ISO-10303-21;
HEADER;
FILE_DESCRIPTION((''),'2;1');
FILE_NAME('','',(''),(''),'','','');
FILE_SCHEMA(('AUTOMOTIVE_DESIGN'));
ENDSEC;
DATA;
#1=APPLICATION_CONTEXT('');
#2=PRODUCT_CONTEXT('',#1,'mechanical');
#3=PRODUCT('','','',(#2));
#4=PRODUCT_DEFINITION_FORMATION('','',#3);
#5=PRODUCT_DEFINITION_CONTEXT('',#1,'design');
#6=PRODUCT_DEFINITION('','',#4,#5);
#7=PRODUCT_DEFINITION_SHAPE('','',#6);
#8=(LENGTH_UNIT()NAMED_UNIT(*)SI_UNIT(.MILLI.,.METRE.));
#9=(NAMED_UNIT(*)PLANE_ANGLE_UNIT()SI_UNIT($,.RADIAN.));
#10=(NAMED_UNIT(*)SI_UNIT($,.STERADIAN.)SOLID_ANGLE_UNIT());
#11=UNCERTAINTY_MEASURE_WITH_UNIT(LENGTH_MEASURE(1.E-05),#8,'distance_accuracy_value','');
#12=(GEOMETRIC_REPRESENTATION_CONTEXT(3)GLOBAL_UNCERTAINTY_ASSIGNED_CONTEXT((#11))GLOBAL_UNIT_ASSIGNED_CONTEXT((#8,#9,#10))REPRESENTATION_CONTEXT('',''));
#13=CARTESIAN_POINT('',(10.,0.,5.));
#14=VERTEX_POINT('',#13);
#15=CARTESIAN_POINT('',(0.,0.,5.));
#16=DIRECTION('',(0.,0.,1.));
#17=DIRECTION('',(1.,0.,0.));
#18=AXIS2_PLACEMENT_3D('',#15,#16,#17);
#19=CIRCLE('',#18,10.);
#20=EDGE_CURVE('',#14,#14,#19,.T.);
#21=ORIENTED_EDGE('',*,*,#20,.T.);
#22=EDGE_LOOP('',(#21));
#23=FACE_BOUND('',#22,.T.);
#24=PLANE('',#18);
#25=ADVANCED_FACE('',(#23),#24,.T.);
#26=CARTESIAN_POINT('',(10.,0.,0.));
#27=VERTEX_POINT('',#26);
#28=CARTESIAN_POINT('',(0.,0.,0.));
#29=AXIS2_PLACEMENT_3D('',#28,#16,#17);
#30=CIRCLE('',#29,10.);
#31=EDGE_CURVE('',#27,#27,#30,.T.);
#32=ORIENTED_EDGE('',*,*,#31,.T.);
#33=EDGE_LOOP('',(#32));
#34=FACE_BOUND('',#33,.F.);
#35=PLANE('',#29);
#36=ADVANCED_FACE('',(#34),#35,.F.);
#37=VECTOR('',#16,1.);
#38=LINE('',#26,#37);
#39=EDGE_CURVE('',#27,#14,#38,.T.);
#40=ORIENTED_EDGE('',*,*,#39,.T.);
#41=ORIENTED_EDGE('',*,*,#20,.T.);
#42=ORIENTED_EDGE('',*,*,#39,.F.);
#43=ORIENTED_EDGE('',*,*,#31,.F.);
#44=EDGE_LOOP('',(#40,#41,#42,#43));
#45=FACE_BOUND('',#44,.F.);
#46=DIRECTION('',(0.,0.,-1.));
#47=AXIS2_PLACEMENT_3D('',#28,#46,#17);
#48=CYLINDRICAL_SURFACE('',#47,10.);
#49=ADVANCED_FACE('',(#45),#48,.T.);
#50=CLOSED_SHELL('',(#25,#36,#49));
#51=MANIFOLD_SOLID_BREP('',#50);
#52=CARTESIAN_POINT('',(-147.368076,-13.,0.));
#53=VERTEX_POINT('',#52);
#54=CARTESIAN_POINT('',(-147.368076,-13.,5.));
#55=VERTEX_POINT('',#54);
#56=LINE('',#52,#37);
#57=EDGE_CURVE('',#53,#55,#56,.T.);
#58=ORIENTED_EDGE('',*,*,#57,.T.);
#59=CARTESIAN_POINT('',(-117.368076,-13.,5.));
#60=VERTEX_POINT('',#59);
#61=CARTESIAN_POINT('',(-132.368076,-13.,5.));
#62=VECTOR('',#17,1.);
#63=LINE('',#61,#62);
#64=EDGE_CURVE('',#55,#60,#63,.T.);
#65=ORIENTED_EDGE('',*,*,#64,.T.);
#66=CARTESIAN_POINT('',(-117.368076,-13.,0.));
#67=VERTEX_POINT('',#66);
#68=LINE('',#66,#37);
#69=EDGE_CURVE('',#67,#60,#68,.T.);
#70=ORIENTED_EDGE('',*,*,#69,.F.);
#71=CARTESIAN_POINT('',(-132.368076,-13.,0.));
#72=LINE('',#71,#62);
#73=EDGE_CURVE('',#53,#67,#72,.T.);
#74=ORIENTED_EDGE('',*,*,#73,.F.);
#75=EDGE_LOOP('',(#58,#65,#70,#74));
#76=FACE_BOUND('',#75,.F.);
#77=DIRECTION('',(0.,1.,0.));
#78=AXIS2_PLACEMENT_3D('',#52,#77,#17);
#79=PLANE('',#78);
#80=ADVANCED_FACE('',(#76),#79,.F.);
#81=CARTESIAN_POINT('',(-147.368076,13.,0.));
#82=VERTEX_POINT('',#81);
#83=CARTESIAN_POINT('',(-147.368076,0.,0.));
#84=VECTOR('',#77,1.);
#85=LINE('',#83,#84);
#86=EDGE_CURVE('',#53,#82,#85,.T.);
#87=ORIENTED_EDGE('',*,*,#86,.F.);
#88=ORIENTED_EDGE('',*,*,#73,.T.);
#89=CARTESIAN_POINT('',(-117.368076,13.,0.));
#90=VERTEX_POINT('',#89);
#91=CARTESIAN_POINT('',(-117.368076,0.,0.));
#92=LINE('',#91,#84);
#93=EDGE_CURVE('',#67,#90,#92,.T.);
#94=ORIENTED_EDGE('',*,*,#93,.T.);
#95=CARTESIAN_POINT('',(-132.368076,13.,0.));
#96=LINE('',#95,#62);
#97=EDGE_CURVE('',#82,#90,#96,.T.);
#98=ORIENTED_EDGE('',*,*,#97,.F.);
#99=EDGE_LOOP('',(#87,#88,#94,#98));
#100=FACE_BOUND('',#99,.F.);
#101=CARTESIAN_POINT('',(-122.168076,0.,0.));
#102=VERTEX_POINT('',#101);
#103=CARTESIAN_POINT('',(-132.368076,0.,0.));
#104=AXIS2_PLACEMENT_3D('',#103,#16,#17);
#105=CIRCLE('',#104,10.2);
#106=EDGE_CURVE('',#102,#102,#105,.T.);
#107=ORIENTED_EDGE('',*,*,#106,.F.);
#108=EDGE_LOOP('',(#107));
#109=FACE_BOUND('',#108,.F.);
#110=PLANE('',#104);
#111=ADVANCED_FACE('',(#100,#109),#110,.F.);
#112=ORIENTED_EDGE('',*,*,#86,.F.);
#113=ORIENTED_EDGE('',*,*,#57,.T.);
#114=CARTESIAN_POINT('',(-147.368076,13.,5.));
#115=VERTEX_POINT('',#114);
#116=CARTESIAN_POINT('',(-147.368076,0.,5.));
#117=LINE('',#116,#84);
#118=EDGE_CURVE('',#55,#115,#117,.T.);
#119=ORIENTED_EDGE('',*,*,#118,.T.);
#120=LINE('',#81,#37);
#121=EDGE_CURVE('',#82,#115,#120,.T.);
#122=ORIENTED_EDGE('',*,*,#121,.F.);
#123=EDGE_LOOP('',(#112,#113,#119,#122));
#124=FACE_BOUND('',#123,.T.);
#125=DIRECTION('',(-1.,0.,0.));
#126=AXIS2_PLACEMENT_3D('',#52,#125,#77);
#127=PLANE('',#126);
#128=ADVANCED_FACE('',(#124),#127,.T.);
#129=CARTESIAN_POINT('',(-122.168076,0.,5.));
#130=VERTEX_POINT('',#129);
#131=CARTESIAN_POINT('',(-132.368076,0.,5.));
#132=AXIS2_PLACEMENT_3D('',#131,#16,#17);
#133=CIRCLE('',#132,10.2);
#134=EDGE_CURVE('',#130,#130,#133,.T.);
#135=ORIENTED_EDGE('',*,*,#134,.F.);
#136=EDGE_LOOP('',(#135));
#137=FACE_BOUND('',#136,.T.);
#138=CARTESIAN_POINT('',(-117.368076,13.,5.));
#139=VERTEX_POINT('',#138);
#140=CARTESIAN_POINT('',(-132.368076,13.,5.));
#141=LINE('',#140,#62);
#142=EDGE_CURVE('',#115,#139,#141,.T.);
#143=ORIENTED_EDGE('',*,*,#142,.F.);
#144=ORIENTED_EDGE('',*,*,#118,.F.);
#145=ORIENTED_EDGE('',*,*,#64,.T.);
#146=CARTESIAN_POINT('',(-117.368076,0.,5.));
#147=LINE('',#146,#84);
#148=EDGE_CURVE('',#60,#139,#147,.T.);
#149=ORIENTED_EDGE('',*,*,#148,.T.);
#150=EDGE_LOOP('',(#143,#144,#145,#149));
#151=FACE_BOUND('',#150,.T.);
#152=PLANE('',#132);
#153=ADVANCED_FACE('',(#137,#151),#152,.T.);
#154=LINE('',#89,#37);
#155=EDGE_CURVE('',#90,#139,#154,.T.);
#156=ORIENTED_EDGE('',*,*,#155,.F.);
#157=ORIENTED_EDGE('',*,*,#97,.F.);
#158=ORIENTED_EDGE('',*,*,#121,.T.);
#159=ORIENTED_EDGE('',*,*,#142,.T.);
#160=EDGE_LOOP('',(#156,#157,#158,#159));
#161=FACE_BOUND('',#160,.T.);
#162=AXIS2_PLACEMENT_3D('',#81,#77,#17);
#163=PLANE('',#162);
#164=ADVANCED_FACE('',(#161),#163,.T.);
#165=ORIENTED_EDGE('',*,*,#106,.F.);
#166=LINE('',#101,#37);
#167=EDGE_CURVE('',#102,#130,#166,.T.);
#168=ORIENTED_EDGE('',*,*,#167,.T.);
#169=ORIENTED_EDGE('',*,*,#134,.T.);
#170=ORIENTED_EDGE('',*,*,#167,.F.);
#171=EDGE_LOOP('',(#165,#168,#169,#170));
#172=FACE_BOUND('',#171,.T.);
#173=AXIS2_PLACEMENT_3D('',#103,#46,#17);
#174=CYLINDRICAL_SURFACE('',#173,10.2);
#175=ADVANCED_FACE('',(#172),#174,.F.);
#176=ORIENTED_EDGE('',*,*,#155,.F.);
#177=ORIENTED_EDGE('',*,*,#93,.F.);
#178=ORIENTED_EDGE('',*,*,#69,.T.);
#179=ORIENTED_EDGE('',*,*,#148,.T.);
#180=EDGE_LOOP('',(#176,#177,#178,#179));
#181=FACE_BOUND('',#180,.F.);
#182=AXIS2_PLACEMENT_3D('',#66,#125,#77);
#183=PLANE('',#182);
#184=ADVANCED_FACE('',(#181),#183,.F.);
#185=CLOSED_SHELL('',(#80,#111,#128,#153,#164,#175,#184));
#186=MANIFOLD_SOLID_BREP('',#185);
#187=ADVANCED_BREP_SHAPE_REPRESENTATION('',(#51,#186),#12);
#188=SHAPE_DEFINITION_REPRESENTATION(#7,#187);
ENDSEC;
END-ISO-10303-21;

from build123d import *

# Parameters (mm, degrees)
F0_W     = 30
F0_H     = 26
F0_R     = 10.2
F0_R_2   = 10
F1_DEPTH = 5


with BuildPart() as f1:
    # F0 (on Top) → F1 (new body)
    with BuildSketch(Plane.XY):
        with Locations((-132.368076, 0)):
            Rectangle(F0_W, F0_H)
        with Locations((-132.368076, 0)):
            Circle(F0_R, mode=Mode.SUBTRACT)
        Circle(F0_R_2)
    extrude(amount=F1_DEPTH)


solid = f1.part
